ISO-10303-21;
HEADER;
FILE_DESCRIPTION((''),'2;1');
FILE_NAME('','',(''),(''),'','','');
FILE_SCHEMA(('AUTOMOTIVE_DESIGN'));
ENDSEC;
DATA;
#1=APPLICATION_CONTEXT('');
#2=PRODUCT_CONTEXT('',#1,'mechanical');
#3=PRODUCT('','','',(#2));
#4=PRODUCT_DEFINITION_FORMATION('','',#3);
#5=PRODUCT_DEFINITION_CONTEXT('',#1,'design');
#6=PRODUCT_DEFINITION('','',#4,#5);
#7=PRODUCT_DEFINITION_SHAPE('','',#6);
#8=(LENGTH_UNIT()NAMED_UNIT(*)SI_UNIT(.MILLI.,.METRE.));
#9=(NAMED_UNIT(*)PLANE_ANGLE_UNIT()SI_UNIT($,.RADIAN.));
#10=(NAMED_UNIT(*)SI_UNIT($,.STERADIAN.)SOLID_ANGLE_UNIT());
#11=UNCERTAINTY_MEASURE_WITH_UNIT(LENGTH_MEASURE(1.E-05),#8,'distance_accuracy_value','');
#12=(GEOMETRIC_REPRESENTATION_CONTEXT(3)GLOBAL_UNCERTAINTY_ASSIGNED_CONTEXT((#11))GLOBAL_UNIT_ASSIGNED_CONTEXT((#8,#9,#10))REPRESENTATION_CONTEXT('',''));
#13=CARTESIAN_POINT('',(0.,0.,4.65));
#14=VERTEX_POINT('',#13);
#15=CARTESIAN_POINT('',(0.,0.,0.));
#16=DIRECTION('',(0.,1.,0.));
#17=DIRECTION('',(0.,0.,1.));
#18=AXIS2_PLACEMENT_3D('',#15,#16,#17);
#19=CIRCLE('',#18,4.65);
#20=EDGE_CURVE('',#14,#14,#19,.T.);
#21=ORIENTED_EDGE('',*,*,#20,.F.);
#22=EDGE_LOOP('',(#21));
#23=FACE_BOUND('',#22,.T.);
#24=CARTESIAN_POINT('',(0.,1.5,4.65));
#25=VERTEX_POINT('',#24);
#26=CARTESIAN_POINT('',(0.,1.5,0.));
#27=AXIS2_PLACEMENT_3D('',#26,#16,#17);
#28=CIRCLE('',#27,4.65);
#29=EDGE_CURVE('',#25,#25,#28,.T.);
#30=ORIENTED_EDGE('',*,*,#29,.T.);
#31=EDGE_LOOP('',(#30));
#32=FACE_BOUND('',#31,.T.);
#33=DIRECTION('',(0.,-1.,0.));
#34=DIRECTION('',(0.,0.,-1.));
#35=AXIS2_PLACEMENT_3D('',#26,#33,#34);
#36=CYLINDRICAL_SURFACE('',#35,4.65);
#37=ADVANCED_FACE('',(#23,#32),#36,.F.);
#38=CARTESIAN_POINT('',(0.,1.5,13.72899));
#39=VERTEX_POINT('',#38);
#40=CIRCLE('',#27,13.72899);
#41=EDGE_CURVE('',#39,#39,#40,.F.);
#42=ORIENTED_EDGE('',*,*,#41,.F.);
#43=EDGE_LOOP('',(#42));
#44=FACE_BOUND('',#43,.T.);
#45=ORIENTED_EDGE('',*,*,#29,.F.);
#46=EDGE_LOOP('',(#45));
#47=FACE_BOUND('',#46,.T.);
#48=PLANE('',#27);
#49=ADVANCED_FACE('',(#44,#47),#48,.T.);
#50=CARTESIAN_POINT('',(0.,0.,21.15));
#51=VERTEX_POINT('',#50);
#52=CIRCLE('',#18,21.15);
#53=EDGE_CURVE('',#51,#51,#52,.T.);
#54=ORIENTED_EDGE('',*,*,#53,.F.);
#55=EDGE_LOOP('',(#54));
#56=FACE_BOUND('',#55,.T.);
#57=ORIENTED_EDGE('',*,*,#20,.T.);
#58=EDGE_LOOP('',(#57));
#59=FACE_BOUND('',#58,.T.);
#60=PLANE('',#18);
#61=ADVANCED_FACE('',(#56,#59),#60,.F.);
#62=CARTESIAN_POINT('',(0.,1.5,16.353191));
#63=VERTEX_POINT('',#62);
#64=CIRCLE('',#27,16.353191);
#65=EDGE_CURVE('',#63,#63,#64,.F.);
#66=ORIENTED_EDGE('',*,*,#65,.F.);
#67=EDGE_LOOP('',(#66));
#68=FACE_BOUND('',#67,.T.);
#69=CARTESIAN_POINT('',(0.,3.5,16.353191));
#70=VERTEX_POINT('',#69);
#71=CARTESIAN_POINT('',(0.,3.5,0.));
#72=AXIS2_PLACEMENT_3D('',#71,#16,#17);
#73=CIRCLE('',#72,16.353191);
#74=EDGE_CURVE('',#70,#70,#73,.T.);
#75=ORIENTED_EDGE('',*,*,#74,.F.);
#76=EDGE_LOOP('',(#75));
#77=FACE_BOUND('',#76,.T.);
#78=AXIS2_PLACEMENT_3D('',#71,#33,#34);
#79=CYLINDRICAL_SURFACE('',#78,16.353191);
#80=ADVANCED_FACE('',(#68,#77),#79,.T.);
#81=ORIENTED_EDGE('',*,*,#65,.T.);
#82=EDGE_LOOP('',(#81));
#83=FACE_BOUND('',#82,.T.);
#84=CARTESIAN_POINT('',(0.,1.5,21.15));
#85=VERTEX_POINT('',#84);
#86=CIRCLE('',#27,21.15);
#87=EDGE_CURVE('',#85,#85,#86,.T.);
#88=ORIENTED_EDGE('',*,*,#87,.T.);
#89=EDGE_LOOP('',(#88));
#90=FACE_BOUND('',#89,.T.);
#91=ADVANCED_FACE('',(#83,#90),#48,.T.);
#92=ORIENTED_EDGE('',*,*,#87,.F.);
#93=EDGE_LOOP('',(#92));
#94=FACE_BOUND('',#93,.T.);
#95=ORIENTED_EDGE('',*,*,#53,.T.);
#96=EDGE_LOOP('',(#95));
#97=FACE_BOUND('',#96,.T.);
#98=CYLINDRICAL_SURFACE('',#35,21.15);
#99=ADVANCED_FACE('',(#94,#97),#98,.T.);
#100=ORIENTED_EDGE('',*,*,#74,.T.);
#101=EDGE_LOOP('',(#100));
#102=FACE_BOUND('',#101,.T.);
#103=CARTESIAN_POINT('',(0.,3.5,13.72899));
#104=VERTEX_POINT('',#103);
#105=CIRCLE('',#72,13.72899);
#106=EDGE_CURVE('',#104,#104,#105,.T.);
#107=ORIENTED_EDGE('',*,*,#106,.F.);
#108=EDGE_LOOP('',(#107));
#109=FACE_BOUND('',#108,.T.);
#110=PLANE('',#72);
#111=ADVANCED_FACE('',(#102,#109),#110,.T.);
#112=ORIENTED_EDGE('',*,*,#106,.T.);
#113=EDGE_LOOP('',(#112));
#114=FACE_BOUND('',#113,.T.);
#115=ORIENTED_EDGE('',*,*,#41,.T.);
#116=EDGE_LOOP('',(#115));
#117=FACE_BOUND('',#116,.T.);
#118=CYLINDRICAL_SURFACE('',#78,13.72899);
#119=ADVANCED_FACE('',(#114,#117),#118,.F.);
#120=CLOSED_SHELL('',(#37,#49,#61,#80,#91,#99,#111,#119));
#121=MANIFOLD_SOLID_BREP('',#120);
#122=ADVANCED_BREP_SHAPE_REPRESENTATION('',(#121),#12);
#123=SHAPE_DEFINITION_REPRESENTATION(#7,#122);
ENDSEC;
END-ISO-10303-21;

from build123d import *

# Parameters (mm, degrees)
SKETCH1_R           = 21.15
SKETCH1_R_2         = 4.65
BOSS_EXTRUDE1_DEPTH = 1.5
SKETCH1_3_R         = 16.35319065
SKETCH1_3_R_2       = 13.728990349
BOSS_EXTRUDE2_DEPTH = 3.5


with BuildPart() as part:
    # Sketch1 → Boss-Extrude1 (new body)
    with BuildSketch(Plane(origin=(0, 0, 0), x_dir=(1, 0, 0), z_dir=(0, 1, 0))):
        Circle(SKETCH1_R)
        Circle(SKETCH1_R_2, mode=Mode.SUBTRACT)
    extrude(amount=BOSS_EXTRUDE1_DEPTH)

    # Sketch1<3> → Boss-Extrude2 (add)
    with BuildSketch(Plane(origin=(0, 0, 0), x_dir=(1, 0, 0), z_dir=(0, 1, 0))):
        Circle(SKETCH1_3_R)
        Circle(SKETCH1_3_R_2, mode=Mode.SUBTRACT)
    extrude(amount=BOSS_EXTRUDE2_DEPTH)


solid = part.part
